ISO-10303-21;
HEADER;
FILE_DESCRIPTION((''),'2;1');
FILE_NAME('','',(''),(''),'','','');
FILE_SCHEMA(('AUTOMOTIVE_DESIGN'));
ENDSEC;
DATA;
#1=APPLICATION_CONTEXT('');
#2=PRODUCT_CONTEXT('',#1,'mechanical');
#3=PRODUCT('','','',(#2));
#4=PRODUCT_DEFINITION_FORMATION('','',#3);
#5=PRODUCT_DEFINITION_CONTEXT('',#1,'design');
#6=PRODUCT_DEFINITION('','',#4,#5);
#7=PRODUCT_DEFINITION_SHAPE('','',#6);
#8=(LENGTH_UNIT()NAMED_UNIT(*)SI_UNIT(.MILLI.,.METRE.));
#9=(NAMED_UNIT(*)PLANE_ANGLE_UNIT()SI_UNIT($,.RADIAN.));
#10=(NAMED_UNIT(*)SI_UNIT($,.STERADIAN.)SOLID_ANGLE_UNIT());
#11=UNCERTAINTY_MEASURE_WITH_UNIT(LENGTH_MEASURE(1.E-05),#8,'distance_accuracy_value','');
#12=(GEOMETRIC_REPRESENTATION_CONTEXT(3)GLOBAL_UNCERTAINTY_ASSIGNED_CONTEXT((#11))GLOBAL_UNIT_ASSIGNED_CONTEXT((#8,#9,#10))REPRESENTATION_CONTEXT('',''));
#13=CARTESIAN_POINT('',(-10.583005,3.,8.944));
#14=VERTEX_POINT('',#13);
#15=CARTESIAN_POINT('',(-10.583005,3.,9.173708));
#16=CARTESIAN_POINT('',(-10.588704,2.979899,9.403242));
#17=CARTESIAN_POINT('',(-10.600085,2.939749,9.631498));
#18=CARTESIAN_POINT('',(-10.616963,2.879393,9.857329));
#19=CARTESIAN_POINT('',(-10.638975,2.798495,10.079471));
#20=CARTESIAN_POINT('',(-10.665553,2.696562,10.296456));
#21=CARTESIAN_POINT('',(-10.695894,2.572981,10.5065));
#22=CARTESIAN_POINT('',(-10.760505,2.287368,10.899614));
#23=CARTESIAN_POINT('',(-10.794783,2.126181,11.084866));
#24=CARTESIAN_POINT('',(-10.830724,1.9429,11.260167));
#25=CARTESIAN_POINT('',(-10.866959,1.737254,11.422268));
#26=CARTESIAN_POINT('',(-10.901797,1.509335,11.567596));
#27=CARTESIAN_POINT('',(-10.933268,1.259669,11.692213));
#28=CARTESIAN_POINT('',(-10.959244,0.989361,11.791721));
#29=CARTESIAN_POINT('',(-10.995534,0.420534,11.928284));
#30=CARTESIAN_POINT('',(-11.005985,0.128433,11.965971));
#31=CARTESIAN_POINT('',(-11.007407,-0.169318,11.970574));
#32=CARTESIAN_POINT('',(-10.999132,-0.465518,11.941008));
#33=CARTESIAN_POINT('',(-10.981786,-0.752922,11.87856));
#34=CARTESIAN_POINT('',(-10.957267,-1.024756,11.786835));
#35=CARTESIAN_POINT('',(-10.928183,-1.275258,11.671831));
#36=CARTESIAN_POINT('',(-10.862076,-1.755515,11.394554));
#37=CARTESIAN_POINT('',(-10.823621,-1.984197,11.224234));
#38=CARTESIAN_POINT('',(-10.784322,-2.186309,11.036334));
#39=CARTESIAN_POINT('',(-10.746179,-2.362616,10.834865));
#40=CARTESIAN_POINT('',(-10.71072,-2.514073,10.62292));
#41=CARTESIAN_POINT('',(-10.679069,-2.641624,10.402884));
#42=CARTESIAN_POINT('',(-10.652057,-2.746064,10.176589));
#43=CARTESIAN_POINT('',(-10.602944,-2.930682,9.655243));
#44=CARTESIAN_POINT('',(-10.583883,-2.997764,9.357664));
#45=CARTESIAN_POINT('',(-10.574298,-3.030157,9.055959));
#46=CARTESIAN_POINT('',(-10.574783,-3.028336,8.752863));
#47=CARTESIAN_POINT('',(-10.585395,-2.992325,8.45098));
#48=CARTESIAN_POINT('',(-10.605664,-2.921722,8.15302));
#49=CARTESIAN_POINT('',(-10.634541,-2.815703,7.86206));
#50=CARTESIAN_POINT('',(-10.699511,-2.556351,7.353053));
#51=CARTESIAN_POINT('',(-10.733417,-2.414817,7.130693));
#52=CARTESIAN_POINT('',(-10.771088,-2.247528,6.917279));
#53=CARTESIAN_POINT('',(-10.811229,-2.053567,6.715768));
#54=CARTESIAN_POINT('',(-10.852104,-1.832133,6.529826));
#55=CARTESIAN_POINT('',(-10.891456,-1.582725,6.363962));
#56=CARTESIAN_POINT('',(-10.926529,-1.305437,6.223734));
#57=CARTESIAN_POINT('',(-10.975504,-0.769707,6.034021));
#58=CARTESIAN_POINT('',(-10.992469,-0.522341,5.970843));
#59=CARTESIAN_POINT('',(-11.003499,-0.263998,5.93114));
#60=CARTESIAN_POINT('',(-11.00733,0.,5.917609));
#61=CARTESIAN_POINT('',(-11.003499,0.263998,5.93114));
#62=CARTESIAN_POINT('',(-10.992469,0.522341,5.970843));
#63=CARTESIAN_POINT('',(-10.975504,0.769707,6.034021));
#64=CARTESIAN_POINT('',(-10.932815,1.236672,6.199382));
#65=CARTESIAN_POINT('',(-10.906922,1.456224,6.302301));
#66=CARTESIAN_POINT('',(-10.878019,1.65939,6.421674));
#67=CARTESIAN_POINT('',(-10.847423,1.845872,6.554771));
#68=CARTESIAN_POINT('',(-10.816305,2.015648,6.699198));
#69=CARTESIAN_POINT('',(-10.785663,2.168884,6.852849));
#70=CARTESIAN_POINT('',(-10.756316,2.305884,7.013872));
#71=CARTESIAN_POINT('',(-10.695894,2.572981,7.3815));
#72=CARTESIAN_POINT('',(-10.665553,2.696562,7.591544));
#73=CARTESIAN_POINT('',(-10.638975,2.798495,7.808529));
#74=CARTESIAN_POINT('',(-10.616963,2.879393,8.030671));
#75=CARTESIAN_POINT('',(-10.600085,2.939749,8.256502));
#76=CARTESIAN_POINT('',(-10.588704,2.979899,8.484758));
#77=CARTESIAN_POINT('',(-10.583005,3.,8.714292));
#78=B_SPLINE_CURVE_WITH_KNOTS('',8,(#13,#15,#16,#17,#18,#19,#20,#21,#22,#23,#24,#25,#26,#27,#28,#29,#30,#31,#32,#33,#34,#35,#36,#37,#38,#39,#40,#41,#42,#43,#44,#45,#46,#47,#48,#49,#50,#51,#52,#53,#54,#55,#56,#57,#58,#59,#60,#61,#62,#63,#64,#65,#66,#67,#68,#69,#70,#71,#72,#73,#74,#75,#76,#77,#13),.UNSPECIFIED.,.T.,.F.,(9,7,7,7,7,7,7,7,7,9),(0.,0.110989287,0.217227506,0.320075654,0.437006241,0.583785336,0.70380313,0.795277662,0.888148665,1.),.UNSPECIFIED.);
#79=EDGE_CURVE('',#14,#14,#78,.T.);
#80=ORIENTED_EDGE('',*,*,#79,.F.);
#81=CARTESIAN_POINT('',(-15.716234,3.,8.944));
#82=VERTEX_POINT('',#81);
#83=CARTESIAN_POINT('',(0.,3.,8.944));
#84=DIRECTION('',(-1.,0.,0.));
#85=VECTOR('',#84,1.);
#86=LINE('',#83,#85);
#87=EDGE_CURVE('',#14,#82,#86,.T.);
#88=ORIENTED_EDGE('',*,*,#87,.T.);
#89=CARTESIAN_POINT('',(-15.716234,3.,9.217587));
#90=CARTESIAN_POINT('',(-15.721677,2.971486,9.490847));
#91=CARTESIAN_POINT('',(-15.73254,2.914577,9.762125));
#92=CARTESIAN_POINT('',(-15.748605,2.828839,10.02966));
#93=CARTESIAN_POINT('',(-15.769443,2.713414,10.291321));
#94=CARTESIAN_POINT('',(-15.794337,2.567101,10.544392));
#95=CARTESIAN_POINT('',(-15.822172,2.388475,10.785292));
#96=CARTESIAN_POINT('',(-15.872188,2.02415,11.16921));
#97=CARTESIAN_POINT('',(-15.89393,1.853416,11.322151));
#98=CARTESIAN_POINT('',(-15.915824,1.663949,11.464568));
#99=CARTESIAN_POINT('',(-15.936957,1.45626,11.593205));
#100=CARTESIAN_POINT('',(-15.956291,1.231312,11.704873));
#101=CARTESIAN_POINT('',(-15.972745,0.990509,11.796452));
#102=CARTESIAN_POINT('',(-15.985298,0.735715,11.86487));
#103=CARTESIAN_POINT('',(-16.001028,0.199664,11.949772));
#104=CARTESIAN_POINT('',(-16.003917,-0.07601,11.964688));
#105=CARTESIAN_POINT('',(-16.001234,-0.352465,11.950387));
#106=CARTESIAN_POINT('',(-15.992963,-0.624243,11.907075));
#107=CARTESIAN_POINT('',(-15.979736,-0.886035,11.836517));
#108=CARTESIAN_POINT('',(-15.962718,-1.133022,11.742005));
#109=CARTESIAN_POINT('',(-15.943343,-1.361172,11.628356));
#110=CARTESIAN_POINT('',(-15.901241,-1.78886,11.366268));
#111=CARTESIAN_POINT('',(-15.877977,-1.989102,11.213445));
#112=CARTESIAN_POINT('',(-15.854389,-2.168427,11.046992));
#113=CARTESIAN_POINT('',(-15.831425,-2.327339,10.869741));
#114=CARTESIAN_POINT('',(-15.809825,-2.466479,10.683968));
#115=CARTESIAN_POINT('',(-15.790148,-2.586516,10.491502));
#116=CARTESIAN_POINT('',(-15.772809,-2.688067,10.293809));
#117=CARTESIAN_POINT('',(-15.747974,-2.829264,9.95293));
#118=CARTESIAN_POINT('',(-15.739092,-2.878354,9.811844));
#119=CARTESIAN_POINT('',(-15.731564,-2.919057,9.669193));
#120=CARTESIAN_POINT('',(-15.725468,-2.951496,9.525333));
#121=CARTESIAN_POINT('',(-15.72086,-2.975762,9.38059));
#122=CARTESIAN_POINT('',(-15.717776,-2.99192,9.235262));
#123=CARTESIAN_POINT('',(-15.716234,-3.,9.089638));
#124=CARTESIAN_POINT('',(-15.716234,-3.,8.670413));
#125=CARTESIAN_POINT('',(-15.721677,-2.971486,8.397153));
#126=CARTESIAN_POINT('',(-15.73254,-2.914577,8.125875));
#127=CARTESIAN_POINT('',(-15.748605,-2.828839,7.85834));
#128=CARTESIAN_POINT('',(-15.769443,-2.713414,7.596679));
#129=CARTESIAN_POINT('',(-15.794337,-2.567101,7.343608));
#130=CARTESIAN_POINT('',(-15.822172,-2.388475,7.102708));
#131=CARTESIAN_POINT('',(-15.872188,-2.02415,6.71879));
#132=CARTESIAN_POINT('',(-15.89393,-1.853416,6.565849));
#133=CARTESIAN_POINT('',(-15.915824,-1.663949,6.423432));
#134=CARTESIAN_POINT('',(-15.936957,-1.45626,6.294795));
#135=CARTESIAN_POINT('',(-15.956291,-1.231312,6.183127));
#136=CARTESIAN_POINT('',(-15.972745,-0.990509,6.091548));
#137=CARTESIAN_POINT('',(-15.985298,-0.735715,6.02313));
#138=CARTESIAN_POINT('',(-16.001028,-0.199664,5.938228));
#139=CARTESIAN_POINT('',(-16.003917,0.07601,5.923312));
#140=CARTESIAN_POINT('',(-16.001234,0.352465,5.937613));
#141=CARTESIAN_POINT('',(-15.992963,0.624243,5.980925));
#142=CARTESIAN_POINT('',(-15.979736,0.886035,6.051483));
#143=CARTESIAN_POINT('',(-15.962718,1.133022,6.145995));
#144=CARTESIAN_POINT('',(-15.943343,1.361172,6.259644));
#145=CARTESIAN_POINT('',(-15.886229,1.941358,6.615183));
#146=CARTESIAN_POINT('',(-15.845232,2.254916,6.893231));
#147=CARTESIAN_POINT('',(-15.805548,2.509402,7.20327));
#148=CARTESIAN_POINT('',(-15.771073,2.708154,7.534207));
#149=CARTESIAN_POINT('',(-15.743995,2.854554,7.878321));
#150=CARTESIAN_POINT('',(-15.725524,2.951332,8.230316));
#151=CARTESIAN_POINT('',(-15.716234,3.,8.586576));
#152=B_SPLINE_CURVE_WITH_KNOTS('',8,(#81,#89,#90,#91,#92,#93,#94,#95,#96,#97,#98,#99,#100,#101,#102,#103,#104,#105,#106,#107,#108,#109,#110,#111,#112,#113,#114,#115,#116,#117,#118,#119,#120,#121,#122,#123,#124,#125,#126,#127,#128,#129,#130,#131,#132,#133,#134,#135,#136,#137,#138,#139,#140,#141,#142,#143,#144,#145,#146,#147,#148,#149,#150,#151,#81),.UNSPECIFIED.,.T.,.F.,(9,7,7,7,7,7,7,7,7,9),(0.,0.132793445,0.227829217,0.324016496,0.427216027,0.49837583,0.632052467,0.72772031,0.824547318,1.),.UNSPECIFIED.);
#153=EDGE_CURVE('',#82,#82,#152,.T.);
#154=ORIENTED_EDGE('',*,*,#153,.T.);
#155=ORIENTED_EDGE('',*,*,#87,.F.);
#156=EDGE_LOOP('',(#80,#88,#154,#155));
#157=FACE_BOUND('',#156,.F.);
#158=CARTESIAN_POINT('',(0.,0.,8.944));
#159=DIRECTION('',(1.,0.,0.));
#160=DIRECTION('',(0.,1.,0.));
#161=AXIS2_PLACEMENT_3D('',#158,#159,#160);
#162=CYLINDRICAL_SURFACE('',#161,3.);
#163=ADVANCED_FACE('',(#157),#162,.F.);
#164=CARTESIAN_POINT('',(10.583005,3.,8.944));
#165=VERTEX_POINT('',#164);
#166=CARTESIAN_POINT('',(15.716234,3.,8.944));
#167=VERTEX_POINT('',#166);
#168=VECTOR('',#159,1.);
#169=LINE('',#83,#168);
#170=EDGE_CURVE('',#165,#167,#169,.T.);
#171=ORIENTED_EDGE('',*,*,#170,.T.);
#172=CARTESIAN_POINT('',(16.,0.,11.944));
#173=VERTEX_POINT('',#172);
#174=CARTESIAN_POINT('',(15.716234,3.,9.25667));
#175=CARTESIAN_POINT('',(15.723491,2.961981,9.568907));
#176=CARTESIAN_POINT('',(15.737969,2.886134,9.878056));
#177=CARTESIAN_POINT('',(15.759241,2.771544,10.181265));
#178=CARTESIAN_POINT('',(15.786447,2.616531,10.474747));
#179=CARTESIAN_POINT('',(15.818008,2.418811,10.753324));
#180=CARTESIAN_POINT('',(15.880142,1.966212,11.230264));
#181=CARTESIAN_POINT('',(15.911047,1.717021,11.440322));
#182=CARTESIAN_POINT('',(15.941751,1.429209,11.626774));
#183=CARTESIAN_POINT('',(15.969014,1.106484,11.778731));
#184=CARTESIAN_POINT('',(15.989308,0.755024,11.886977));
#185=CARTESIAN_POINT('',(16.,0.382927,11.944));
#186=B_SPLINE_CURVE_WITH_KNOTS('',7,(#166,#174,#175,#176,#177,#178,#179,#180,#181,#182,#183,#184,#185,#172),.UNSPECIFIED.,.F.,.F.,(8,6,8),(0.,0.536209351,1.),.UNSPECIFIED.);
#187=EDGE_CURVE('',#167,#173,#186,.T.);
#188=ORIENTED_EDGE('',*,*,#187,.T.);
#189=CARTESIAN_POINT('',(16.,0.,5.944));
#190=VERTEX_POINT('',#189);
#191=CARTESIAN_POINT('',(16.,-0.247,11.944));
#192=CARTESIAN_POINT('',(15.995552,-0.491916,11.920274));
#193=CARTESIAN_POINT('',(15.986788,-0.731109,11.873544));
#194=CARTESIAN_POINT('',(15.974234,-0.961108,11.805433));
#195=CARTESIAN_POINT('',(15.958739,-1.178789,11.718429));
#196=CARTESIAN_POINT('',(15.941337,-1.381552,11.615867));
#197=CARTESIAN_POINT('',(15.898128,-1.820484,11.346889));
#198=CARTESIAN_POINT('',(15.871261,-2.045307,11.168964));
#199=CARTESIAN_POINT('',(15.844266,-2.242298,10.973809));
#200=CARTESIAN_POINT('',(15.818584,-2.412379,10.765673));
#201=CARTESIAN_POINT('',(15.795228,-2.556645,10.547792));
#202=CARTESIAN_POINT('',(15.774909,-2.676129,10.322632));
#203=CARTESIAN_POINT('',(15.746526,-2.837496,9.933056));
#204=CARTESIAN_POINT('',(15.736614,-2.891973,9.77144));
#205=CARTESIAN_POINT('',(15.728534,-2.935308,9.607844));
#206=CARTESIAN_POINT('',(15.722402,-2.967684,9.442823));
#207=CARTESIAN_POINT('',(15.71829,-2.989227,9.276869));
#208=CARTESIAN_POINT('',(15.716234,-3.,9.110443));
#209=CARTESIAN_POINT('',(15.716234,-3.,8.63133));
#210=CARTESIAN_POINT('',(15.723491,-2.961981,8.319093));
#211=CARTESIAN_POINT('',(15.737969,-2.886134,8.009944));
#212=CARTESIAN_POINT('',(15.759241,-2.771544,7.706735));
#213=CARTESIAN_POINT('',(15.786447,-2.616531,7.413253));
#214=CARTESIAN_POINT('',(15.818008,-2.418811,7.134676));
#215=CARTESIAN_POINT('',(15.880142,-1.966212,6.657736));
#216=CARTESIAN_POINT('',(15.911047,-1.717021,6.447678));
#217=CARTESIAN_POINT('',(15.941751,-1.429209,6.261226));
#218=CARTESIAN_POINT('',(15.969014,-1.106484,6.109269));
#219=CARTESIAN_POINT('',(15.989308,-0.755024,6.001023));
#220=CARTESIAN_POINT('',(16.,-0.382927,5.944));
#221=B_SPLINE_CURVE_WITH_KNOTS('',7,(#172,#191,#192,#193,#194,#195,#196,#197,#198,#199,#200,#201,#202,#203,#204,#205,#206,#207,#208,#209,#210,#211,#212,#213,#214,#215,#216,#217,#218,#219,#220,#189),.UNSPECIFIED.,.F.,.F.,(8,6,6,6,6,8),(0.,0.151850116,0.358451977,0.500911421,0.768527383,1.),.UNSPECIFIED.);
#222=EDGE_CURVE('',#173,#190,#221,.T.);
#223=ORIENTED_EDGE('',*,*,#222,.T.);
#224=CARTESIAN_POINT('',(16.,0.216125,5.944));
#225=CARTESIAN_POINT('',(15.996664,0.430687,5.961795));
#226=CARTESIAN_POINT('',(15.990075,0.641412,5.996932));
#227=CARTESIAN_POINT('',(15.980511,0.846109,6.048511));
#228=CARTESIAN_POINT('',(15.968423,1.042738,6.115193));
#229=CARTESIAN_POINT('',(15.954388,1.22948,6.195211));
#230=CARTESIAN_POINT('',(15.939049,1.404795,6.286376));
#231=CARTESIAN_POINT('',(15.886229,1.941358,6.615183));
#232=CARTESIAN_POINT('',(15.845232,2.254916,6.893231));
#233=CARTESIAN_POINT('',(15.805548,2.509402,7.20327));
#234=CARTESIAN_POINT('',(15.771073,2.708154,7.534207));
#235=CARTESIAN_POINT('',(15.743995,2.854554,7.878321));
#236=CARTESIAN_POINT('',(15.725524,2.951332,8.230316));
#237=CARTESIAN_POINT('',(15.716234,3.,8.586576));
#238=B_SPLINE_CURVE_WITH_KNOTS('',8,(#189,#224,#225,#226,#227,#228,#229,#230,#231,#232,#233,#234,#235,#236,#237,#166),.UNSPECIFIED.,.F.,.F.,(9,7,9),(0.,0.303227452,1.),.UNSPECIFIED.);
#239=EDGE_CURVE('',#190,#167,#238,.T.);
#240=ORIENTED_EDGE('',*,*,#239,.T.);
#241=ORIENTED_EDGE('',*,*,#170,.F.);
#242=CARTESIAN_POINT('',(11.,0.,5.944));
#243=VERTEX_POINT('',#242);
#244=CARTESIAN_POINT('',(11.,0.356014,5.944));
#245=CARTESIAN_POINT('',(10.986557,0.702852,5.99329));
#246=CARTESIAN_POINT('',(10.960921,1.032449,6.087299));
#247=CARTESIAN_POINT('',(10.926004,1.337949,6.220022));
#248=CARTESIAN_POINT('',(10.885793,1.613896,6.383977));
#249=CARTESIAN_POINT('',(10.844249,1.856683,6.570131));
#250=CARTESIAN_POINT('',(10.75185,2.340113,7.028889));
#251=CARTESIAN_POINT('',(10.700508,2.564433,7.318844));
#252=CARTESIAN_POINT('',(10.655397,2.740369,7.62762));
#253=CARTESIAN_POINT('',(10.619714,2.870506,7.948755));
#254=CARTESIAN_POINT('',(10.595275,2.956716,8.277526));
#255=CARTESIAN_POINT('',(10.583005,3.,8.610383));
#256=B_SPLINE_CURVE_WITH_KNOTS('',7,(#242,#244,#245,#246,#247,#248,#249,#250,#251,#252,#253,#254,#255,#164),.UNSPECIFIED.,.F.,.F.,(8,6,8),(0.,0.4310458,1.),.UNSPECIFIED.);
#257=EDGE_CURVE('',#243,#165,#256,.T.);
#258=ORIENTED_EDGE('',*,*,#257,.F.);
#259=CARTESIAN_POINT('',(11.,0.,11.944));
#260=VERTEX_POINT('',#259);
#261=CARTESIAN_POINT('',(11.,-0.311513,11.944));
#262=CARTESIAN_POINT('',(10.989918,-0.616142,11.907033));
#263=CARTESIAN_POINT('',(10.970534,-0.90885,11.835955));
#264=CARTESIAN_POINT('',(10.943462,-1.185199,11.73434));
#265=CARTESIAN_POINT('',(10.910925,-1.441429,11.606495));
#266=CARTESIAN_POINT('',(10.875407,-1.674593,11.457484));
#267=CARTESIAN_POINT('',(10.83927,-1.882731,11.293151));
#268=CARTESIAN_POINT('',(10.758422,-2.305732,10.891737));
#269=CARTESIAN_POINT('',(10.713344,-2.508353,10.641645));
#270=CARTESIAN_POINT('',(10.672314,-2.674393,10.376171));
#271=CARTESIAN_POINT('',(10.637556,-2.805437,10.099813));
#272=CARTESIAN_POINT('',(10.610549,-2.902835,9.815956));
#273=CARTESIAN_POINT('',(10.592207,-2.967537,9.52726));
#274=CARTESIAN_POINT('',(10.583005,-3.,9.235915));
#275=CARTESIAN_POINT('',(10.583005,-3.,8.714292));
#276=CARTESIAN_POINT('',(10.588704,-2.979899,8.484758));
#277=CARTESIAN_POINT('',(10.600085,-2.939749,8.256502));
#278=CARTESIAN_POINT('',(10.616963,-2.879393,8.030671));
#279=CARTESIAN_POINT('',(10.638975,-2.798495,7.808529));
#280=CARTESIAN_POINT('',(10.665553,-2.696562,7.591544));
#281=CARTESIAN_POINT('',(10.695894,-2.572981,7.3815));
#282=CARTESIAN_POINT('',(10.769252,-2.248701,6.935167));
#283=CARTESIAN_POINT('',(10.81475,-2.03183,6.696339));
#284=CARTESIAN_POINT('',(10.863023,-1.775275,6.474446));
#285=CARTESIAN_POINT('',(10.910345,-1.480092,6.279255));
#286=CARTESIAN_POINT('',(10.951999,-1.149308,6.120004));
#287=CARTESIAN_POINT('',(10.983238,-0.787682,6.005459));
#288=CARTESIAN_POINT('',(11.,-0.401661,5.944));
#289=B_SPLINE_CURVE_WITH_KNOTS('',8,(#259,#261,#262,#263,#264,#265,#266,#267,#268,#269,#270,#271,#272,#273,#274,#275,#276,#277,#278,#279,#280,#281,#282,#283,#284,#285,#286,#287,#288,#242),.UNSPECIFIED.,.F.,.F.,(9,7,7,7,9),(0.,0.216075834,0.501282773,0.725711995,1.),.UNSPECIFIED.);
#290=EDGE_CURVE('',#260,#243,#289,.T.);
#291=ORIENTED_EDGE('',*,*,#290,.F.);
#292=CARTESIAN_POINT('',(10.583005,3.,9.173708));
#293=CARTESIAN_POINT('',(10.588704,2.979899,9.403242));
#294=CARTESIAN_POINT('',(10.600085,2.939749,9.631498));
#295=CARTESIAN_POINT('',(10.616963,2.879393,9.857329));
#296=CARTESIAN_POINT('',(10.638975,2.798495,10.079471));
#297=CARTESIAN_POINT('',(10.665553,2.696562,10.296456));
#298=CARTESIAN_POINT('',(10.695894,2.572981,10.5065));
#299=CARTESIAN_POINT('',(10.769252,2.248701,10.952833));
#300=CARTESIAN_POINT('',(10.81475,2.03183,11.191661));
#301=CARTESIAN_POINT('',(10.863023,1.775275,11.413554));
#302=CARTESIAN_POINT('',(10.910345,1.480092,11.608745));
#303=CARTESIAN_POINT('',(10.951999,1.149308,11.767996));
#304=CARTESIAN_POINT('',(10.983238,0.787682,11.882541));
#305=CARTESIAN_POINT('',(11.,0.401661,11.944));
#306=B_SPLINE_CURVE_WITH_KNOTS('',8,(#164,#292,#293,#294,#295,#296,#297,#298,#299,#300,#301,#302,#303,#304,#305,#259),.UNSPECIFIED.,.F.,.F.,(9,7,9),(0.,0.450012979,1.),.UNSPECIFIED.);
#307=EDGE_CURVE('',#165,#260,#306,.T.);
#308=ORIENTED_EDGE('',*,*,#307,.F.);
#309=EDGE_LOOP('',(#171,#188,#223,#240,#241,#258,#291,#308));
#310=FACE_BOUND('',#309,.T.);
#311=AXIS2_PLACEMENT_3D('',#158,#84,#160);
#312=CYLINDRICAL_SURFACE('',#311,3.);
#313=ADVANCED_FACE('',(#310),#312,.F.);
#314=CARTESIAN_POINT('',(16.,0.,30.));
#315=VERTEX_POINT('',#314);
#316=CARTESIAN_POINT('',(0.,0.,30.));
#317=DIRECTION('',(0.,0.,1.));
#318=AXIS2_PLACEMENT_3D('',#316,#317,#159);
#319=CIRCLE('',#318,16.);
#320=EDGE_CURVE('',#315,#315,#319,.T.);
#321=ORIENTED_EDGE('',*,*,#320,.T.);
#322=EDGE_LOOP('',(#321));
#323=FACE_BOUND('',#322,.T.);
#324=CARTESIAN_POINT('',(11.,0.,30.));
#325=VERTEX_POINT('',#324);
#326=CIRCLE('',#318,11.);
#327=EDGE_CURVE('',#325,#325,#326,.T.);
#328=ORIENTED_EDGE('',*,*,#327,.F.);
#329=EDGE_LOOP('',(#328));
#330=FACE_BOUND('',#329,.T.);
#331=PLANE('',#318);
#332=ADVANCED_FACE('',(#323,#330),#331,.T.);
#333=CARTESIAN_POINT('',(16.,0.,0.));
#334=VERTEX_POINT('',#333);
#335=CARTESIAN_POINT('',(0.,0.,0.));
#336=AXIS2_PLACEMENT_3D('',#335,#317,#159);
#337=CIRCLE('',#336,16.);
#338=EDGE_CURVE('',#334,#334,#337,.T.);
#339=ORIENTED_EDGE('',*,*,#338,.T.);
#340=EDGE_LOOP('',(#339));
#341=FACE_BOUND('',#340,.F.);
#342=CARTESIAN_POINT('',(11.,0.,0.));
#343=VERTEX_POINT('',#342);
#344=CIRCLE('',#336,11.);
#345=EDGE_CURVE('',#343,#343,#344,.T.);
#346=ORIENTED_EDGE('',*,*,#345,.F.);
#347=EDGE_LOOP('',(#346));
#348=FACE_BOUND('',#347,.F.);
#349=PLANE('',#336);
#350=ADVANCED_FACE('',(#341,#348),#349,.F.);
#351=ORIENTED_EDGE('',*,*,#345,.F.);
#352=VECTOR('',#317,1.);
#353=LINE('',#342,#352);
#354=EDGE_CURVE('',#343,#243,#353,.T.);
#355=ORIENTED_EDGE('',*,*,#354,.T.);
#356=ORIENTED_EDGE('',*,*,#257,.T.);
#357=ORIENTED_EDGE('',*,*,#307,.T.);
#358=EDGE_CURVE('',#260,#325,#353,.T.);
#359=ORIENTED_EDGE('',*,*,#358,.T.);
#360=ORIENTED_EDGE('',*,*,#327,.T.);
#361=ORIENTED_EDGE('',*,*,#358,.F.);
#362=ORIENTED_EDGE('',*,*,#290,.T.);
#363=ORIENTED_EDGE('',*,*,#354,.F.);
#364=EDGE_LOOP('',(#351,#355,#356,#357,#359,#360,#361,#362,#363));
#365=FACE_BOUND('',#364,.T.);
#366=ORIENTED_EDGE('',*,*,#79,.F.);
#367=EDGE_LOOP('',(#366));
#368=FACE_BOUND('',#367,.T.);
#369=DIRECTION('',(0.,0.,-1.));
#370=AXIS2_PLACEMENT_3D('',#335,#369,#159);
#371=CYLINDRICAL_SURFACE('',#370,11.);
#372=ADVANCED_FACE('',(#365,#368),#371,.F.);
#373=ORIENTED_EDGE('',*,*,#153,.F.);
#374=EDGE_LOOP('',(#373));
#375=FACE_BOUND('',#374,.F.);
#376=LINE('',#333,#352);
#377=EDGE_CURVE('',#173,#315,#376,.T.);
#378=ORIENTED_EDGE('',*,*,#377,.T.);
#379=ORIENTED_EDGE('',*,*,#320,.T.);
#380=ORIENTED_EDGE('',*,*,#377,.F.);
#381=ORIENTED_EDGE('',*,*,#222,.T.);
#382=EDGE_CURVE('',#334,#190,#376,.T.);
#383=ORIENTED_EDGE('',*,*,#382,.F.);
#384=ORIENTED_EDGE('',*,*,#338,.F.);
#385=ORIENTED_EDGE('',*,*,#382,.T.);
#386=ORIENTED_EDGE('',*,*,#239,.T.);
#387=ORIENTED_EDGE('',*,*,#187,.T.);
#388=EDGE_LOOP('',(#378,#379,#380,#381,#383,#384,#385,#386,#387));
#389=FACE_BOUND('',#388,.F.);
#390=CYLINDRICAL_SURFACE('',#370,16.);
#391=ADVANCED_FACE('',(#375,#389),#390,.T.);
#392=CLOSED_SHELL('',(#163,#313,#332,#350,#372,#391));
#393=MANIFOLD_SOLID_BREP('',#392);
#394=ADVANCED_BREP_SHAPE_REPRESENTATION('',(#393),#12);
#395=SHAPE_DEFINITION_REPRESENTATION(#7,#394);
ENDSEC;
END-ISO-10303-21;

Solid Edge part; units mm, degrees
sketch "Sketch1" plane through (0, 0, 0) normal (0, 0, 1) x (1, 0, 0)
  circle A0 centre (0, 0) radius 11
  circle A1 centre (0, 0) radius 16
extrude "Protrusion1" add sketch "Sketch1" along normal blind 30
sketch "Sketch2" plane through (0, 0, 0) normal (1, 0, 0) x (0, 1, 0)
  circle A0 centre (0, 8.944) radius 3
extrude "ExtrudedCutout_1" cut sketch "Sketch2" along normal mid plane 56.5548
properties material "Steel"
